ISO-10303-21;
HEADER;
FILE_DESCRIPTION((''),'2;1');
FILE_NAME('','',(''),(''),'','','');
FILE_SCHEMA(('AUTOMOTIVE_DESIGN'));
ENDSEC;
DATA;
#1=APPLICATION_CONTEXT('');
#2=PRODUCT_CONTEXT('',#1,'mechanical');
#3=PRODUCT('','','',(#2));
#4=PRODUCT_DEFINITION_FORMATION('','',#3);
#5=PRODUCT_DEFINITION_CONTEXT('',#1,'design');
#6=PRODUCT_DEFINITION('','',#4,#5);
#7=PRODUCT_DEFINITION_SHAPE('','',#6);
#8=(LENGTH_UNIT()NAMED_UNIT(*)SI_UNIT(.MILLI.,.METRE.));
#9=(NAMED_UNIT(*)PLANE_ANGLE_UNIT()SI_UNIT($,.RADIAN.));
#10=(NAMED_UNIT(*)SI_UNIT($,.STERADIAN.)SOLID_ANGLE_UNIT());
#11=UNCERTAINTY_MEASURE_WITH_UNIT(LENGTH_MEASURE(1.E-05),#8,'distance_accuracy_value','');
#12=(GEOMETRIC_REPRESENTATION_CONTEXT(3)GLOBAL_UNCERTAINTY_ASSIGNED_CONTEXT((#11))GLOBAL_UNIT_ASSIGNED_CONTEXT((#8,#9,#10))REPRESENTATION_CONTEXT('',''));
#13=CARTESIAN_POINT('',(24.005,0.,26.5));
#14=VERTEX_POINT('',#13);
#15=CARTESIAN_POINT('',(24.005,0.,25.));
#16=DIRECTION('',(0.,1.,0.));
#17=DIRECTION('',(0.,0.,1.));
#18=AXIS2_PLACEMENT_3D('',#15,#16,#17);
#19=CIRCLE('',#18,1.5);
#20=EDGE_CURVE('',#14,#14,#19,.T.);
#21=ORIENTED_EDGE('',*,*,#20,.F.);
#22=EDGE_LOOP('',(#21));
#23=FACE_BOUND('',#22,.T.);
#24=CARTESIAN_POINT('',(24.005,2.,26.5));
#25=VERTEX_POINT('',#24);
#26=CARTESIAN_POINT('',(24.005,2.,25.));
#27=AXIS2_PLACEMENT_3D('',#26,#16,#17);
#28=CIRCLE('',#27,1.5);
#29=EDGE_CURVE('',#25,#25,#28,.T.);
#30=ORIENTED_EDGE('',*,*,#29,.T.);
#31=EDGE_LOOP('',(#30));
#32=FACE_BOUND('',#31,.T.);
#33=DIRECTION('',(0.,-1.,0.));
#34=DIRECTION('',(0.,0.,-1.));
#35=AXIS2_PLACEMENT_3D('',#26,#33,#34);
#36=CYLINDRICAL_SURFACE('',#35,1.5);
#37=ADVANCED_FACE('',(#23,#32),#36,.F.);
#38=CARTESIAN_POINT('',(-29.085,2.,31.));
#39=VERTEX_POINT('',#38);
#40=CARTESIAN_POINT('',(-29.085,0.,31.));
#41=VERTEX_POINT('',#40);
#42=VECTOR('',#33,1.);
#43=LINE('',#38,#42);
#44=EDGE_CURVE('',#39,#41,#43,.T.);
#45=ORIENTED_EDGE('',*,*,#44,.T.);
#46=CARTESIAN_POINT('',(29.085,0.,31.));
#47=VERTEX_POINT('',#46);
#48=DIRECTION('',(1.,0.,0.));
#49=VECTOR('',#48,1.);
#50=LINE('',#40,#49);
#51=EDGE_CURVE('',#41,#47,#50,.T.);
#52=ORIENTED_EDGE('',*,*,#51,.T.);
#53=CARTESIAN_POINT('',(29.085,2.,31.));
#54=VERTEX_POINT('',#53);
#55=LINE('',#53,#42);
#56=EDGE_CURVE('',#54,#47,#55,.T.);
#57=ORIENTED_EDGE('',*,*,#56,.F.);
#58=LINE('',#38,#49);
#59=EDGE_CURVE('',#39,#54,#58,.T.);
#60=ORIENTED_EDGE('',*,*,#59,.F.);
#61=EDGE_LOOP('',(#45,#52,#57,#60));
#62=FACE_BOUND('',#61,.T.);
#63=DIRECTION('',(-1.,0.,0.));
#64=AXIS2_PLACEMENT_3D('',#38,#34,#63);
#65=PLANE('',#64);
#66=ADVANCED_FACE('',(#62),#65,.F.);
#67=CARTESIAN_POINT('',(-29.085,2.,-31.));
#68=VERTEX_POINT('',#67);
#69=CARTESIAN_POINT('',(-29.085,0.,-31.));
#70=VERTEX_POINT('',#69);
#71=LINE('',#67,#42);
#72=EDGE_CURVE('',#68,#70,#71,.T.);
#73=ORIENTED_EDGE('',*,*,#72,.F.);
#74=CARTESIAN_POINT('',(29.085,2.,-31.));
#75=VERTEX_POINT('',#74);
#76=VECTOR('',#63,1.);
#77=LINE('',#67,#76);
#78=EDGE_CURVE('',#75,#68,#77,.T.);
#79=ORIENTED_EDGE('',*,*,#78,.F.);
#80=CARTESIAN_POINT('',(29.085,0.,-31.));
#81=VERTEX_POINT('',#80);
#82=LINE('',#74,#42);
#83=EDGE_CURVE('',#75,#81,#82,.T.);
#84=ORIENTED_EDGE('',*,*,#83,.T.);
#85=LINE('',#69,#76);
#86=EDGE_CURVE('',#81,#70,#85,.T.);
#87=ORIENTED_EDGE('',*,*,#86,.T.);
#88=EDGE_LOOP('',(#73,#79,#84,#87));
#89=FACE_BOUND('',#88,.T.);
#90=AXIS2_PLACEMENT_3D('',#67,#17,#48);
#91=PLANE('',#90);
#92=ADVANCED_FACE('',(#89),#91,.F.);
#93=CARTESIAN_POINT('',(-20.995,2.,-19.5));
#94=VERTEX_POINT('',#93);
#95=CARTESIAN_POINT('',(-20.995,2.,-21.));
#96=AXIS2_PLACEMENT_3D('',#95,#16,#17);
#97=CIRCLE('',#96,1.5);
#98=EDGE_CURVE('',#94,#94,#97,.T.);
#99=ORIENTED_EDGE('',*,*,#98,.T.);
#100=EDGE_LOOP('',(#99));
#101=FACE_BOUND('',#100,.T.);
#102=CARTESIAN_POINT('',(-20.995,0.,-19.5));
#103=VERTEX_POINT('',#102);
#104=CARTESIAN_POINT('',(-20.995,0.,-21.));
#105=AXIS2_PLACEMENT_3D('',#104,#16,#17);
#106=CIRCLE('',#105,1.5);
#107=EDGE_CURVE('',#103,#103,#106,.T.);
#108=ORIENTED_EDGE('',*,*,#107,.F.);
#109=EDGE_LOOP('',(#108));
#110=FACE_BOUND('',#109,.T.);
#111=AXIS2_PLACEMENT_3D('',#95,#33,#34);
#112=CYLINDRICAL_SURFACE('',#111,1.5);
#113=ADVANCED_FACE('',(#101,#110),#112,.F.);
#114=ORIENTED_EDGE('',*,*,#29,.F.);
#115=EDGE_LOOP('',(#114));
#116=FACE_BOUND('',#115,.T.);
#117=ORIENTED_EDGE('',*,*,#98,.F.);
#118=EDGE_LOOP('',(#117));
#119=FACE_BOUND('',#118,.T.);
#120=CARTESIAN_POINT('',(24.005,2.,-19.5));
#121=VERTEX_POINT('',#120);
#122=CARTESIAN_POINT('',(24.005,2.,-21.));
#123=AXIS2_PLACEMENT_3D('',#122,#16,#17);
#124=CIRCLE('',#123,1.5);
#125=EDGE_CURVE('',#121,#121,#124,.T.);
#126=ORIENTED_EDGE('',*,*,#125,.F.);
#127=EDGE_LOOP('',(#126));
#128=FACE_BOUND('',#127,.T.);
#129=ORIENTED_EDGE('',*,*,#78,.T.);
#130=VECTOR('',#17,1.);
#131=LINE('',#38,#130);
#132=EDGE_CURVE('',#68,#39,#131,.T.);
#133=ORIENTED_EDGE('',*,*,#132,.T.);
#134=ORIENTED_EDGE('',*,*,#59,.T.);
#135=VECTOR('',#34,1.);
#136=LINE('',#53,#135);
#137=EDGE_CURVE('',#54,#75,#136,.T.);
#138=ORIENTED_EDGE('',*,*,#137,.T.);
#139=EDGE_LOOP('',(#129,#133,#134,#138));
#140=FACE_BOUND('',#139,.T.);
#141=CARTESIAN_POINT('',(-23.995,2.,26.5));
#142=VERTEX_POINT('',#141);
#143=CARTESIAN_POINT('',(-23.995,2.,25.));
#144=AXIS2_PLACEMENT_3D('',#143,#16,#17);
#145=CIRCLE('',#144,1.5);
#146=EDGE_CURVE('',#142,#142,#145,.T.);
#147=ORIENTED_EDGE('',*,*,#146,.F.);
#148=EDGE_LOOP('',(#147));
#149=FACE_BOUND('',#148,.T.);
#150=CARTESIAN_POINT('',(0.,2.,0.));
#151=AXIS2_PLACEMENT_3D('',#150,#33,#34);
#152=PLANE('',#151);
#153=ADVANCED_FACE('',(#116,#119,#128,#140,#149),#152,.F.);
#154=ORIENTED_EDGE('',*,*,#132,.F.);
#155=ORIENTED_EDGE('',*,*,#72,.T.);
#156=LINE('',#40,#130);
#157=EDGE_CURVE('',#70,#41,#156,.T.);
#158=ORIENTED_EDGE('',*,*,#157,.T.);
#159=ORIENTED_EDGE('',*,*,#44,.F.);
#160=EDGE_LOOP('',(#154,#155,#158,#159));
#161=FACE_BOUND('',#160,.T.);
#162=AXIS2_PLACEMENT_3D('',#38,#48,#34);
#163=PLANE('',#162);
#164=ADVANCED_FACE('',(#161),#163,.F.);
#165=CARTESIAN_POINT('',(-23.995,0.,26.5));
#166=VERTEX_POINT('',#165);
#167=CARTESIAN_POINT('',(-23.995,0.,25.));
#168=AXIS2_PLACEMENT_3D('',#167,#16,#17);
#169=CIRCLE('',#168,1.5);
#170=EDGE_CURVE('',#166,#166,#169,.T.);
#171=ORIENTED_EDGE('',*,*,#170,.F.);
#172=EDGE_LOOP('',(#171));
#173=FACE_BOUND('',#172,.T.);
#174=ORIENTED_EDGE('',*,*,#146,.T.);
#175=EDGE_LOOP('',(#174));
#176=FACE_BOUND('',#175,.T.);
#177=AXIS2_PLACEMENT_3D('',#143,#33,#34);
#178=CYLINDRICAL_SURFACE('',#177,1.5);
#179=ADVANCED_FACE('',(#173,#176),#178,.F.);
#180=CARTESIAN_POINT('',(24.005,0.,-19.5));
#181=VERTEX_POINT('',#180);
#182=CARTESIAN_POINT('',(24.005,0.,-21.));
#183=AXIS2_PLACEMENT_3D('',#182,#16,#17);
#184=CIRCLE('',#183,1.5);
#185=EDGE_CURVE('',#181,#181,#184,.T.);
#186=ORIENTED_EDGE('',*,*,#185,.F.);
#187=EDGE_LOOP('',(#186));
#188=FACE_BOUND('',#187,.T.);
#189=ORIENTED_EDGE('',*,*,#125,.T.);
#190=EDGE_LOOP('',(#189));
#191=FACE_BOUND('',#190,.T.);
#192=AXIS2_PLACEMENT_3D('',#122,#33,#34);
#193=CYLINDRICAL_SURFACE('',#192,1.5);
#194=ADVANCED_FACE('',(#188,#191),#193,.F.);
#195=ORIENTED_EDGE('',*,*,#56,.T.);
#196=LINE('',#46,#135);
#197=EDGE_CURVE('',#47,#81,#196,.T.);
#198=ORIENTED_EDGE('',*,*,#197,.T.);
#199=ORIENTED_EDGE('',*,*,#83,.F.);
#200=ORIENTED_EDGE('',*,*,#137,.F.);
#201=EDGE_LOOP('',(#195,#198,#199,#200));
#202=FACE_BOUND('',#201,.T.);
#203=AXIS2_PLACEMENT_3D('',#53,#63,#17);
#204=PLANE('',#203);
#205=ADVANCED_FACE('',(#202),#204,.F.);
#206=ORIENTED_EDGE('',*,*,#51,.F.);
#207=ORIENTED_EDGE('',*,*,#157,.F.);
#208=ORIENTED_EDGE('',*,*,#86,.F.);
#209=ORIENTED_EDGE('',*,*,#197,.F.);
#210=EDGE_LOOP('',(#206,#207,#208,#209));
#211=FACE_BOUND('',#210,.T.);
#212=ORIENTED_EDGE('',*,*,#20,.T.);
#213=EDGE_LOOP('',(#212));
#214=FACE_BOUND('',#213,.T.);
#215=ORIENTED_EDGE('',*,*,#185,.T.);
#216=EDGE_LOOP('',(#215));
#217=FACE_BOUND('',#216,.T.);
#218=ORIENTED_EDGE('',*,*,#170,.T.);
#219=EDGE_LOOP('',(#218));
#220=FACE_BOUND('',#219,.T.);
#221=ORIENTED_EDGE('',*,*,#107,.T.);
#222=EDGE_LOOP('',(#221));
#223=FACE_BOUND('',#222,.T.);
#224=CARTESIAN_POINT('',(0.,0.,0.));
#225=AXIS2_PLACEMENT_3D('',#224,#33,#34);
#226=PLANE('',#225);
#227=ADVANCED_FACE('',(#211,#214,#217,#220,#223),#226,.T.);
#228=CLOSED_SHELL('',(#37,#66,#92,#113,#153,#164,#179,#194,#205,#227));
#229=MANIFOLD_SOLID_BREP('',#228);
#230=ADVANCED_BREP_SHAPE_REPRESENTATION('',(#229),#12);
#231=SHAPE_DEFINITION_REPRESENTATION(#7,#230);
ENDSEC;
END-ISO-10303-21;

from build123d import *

# Parameters (mm, degrees)
SKETCH1_W           = 58.17
SKETCH1_H           = 62
SKETCH1_R           = 1.5
BOSS_EXTRUDE1_DEPTH = 2


with BuildPart() as part:
    # Sketch1 → Boss-Extrude1 (new body)
    with BuildSketch(Plane(origin=(0, 0, 0), x_dir=(1, 0, 0), z_dir=(0, 1, 0))):
        Rectangle(SKETCH1_W, SKETCH1_H)
        with Locations((24.005, -25)):
            Circle(SKETCH1_R, mode=Mode.SUBTRACT)
        with Locations((-23.995, -25)):
            Circle(SKETCH1_R, mode=Mode.SUBTRACT)
        with Locations((24.005, 21)):
            Circle(SKETCH1_R, mode=Mode.SUBTRACT)
        with Locations((-20.995, 21)):
            Circle(SKETCH1_R, mode=Mode.SUBTRACT)
    extrude(amount=BOSS_EXTRUDE1_DEPTH)


solid = part.part
